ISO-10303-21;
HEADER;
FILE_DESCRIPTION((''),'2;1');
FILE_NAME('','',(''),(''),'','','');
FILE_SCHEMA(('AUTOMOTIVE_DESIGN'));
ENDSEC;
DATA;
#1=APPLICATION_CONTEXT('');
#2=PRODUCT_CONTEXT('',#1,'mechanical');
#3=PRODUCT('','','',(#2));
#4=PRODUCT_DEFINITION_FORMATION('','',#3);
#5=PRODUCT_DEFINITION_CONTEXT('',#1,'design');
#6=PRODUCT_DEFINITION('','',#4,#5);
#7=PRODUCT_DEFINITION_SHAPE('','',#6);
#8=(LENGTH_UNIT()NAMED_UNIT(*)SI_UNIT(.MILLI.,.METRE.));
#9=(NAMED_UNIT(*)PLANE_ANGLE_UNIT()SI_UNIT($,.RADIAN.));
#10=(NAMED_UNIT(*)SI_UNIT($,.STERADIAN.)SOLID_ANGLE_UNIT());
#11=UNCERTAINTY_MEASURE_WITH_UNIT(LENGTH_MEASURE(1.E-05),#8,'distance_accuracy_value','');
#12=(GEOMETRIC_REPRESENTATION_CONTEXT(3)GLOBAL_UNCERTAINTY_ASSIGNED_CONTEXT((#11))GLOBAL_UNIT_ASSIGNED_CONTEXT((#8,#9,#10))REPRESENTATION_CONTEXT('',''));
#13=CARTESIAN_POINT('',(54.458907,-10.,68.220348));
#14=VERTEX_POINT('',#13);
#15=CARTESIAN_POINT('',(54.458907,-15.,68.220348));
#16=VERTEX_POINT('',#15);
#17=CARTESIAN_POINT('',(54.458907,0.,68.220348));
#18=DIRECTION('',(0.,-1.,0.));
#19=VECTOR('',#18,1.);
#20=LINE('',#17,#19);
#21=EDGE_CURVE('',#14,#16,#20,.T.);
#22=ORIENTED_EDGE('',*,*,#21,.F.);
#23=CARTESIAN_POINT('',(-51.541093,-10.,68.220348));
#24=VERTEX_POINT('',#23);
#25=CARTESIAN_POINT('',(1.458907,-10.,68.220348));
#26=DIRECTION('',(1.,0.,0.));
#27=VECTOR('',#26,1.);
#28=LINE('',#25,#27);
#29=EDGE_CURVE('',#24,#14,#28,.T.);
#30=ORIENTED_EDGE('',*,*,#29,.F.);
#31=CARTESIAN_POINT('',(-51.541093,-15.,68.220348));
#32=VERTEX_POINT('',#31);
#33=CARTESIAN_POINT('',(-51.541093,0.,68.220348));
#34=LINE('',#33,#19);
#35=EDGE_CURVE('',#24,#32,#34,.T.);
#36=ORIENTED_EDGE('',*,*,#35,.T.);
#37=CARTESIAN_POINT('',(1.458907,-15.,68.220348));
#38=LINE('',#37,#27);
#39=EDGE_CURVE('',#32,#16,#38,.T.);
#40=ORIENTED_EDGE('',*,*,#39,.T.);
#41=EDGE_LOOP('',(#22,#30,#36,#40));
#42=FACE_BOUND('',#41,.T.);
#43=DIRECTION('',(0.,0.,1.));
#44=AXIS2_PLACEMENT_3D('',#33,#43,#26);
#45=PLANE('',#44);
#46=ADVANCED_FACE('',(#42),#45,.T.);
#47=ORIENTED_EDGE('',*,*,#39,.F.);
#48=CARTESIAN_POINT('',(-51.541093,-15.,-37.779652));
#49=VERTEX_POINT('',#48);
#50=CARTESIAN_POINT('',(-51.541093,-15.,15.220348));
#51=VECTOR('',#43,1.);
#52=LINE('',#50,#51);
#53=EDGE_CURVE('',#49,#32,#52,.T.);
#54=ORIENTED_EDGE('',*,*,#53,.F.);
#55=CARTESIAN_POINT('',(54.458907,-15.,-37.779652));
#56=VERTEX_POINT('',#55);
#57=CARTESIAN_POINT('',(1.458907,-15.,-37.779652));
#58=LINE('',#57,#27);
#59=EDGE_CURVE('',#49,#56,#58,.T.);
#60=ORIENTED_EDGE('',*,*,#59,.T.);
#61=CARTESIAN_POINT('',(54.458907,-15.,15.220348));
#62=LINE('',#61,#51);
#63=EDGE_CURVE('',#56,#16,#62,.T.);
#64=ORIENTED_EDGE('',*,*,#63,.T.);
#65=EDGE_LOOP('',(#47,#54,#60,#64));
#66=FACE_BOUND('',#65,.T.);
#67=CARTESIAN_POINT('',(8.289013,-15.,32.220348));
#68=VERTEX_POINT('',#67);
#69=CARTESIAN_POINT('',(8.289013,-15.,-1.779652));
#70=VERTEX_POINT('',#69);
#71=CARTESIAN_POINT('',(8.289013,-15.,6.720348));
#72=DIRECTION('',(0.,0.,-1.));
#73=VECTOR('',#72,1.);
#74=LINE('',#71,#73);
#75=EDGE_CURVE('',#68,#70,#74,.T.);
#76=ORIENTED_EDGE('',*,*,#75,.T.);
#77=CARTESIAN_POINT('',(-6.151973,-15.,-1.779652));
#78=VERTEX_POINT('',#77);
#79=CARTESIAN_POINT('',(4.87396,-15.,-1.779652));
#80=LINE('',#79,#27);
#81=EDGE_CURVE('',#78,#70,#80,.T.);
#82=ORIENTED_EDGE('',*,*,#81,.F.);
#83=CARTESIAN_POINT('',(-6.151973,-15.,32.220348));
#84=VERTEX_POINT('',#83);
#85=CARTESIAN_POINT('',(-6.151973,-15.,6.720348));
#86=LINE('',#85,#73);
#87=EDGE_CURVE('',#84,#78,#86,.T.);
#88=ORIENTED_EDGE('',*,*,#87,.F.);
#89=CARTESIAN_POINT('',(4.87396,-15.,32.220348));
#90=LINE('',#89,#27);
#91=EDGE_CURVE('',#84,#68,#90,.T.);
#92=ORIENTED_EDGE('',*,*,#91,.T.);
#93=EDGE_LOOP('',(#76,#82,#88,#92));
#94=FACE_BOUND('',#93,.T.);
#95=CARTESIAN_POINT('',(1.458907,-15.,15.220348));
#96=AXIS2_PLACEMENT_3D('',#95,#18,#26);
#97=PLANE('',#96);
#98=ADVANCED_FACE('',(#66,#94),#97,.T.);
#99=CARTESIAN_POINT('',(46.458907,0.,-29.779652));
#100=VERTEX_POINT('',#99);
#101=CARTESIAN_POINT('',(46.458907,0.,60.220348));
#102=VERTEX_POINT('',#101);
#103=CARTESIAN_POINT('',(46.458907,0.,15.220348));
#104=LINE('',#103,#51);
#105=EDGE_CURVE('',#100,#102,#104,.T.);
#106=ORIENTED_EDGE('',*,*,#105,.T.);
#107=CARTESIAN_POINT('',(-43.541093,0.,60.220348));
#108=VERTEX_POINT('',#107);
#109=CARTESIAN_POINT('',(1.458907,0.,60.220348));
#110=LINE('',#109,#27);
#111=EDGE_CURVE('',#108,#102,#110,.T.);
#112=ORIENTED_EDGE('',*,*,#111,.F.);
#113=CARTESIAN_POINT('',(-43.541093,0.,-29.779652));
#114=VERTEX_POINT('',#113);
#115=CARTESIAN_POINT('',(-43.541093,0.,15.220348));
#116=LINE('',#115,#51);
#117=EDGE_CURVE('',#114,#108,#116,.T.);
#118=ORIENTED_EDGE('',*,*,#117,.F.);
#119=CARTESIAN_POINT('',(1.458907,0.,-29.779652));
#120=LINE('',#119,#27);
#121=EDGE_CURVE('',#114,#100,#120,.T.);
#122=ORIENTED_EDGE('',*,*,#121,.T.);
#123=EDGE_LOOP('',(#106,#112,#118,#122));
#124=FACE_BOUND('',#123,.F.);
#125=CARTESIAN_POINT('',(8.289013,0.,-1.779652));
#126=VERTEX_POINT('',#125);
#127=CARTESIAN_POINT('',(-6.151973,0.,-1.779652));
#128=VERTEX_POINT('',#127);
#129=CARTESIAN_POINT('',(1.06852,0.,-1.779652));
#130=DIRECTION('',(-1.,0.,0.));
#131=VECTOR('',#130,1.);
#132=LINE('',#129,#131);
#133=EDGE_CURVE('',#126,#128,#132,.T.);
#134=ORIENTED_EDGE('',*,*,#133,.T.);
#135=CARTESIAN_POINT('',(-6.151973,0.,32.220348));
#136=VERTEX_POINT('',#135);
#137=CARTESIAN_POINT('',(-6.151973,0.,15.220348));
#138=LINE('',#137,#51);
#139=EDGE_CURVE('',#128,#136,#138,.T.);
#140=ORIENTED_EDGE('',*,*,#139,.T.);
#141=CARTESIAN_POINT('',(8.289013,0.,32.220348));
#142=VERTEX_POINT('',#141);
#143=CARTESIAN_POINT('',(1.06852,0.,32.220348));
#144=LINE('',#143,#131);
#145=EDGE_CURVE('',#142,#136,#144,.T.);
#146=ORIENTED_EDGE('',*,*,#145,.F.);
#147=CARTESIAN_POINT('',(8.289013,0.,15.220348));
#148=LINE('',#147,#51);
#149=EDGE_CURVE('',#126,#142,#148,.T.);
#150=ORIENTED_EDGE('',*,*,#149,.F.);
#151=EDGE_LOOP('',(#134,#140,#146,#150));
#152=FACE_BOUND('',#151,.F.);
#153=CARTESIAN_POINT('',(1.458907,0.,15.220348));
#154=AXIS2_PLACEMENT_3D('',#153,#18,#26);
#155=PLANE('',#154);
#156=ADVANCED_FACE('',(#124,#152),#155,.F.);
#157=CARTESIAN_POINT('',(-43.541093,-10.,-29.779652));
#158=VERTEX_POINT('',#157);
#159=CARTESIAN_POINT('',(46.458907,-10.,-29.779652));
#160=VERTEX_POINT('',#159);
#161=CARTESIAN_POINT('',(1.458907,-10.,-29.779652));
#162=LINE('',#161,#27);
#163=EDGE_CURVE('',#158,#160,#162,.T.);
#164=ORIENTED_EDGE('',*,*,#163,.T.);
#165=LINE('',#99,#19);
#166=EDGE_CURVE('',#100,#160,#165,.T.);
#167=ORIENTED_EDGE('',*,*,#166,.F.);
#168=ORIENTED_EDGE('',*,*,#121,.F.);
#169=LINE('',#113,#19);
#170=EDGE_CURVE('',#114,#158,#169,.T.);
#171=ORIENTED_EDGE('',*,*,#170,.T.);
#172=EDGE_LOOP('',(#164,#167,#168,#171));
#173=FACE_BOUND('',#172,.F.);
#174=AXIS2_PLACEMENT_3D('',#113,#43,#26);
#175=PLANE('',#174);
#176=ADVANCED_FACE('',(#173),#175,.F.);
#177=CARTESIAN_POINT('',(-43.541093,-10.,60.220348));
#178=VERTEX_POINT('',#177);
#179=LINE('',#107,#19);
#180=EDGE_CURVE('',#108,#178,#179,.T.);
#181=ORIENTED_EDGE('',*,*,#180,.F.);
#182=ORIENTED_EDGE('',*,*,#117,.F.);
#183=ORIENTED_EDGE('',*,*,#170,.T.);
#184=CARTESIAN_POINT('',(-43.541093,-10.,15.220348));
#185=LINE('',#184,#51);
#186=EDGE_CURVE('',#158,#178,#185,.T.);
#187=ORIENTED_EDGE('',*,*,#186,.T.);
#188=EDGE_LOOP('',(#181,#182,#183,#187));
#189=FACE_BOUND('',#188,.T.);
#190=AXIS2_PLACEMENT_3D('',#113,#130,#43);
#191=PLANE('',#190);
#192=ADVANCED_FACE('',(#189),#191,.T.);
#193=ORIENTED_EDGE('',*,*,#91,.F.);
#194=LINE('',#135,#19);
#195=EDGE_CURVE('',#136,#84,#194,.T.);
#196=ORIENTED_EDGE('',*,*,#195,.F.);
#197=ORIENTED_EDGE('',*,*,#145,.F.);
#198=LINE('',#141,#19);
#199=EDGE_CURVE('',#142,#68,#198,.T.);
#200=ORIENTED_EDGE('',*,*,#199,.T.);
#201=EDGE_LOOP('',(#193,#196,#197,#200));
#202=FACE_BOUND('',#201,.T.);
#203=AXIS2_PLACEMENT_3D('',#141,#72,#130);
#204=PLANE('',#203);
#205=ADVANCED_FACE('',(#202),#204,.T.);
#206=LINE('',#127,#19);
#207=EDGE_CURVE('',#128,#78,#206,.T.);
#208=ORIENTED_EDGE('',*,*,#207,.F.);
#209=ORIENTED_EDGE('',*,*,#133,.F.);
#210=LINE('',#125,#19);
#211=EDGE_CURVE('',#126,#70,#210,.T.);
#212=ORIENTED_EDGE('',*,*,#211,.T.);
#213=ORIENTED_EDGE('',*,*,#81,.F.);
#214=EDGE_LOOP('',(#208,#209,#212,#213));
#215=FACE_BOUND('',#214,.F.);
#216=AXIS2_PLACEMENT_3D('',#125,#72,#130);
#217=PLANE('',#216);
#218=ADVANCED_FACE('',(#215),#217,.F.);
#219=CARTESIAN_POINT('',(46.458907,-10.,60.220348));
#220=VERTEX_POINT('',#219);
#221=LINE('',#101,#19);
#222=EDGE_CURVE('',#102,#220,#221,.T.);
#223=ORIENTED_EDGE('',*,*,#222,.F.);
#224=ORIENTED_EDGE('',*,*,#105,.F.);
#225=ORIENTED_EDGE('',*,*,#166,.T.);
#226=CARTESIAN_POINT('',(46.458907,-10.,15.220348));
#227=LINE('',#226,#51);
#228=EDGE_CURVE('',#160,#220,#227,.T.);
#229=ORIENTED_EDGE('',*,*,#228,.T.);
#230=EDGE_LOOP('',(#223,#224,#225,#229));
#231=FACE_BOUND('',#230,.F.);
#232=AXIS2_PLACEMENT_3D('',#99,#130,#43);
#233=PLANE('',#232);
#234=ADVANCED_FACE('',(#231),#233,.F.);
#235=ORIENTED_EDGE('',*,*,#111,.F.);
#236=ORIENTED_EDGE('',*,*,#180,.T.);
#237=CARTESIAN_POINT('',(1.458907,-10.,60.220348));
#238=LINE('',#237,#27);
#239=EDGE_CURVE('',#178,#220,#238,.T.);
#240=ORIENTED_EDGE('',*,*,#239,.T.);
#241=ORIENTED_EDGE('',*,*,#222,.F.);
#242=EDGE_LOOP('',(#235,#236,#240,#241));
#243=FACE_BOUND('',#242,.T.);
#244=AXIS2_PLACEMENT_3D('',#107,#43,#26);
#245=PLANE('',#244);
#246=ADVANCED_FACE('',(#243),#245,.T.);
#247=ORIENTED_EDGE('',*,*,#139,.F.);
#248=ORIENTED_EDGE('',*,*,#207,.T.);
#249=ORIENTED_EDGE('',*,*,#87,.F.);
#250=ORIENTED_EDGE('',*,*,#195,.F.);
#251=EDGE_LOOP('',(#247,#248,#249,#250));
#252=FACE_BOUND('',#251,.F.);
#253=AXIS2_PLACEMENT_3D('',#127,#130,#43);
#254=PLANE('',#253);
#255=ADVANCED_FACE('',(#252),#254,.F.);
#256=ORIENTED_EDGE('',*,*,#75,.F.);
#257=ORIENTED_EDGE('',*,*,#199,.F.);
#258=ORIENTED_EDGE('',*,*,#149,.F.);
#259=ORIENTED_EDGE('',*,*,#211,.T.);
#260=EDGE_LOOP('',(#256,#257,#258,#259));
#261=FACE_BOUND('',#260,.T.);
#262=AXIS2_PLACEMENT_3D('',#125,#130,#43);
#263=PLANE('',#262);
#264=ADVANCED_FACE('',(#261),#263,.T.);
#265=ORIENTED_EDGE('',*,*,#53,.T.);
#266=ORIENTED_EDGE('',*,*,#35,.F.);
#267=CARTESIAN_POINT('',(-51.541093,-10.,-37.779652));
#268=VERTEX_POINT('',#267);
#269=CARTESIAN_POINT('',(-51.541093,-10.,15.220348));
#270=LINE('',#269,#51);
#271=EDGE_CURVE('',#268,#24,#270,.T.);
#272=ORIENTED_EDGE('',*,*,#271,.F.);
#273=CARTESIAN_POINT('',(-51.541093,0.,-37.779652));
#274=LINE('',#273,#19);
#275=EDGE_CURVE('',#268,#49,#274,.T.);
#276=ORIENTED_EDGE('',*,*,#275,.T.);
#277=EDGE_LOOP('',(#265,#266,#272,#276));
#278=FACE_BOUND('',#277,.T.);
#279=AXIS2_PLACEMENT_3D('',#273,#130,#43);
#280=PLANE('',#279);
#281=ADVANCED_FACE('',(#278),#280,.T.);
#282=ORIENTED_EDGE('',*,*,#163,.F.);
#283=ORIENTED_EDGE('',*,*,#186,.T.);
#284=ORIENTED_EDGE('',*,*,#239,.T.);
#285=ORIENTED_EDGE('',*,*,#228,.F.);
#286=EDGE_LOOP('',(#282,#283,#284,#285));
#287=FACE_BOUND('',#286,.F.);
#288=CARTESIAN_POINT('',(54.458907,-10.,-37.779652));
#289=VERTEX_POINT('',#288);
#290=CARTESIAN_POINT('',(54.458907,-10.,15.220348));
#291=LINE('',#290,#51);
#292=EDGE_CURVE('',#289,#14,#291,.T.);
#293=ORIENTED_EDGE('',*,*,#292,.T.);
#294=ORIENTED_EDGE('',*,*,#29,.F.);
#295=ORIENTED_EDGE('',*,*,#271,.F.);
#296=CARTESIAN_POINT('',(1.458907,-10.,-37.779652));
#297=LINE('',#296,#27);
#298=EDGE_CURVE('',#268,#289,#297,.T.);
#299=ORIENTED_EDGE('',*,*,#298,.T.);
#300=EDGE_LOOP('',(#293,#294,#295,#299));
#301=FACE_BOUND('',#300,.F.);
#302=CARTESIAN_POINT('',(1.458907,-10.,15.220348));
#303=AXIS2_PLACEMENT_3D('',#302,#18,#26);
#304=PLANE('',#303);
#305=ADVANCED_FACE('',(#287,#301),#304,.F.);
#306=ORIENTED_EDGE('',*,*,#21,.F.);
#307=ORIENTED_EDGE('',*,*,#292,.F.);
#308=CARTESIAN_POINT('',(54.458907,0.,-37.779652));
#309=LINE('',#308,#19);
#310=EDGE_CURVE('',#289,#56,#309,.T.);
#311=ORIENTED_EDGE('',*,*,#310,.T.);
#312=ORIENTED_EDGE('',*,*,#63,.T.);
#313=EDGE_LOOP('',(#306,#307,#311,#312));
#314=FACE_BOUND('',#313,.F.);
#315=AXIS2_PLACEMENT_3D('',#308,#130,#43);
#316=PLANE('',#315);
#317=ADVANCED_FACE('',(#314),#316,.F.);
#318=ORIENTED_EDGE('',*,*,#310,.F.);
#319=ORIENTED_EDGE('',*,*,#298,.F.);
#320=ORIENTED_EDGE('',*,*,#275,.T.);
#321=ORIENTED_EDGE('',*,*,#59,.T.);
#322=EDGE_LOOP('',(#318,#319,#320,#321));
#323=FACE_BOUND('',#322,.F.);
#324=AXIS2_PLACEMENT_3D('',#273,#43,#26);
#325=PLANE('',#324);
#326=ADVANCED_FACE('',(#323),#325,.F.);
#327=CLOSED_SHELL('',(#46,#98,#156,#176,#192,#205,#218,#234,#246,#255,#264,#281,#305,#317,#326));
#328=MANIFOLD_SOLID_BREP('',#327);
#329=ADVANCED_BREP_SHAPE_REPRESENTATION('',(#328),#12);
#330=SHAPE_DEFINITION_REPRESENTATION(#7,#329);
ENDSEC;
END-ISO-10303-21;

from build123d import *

# Parameters (mm, degrees)
F0_W     = 106
F0_H     = 106
F0_W_2   = 90
F0_H_2   = 90
F1_DEPTH = 15
F2_DEPTH = 10
F3_W     = 14.440985
F3_H     = 34
F4_DEPTH = 25


with BuildPart() as f1:
    # F0 (on Front) → F1 (new body)
    with BuildSketch(Plane.XZ):
        with Locations((1.458907, 15.220348)):
            Rectangle(F0_W, F0_H)
        with Locations((1.458907, 15.220348)):
            Rectangle(F0_W_2, F0_H_2, mode=Mode.SUBTRACT)
        with Locations((1.458907, 15.220348)):
            Rectangle(F0_W_2, F0_H_2)
    extrude(amount=F1_DEPTH)

    # F0 (on Front) → F2 (cut)
    with BuildSketch(Plane.XZ):
        with Locations((1.458907, 15.220348)):
            Rectangle(F0_W, F0_H)
        with Locations((1.458907, 15.220348)):
            Rectangle(F0_W_2, F0_H_2, mode=Mode.SUBTRACT)
    extrude(amount=F2_DEPTH, mode=Mode.SUBTRACT)

    # F3 (on face) → F4 (cut)
    with BuildSketch(Plane(origin=(0, 0, 0), x_dir=(-1, 0, 0), z_dir=(0, 1, 0))):
        with Locations((-1.06852, 15.220348)):
            Rectangle(F3_W, F3_H)
    extrude(amount=-F4_DEPTH, mode=Mode.SUBTRACT)


solid = f1.part
